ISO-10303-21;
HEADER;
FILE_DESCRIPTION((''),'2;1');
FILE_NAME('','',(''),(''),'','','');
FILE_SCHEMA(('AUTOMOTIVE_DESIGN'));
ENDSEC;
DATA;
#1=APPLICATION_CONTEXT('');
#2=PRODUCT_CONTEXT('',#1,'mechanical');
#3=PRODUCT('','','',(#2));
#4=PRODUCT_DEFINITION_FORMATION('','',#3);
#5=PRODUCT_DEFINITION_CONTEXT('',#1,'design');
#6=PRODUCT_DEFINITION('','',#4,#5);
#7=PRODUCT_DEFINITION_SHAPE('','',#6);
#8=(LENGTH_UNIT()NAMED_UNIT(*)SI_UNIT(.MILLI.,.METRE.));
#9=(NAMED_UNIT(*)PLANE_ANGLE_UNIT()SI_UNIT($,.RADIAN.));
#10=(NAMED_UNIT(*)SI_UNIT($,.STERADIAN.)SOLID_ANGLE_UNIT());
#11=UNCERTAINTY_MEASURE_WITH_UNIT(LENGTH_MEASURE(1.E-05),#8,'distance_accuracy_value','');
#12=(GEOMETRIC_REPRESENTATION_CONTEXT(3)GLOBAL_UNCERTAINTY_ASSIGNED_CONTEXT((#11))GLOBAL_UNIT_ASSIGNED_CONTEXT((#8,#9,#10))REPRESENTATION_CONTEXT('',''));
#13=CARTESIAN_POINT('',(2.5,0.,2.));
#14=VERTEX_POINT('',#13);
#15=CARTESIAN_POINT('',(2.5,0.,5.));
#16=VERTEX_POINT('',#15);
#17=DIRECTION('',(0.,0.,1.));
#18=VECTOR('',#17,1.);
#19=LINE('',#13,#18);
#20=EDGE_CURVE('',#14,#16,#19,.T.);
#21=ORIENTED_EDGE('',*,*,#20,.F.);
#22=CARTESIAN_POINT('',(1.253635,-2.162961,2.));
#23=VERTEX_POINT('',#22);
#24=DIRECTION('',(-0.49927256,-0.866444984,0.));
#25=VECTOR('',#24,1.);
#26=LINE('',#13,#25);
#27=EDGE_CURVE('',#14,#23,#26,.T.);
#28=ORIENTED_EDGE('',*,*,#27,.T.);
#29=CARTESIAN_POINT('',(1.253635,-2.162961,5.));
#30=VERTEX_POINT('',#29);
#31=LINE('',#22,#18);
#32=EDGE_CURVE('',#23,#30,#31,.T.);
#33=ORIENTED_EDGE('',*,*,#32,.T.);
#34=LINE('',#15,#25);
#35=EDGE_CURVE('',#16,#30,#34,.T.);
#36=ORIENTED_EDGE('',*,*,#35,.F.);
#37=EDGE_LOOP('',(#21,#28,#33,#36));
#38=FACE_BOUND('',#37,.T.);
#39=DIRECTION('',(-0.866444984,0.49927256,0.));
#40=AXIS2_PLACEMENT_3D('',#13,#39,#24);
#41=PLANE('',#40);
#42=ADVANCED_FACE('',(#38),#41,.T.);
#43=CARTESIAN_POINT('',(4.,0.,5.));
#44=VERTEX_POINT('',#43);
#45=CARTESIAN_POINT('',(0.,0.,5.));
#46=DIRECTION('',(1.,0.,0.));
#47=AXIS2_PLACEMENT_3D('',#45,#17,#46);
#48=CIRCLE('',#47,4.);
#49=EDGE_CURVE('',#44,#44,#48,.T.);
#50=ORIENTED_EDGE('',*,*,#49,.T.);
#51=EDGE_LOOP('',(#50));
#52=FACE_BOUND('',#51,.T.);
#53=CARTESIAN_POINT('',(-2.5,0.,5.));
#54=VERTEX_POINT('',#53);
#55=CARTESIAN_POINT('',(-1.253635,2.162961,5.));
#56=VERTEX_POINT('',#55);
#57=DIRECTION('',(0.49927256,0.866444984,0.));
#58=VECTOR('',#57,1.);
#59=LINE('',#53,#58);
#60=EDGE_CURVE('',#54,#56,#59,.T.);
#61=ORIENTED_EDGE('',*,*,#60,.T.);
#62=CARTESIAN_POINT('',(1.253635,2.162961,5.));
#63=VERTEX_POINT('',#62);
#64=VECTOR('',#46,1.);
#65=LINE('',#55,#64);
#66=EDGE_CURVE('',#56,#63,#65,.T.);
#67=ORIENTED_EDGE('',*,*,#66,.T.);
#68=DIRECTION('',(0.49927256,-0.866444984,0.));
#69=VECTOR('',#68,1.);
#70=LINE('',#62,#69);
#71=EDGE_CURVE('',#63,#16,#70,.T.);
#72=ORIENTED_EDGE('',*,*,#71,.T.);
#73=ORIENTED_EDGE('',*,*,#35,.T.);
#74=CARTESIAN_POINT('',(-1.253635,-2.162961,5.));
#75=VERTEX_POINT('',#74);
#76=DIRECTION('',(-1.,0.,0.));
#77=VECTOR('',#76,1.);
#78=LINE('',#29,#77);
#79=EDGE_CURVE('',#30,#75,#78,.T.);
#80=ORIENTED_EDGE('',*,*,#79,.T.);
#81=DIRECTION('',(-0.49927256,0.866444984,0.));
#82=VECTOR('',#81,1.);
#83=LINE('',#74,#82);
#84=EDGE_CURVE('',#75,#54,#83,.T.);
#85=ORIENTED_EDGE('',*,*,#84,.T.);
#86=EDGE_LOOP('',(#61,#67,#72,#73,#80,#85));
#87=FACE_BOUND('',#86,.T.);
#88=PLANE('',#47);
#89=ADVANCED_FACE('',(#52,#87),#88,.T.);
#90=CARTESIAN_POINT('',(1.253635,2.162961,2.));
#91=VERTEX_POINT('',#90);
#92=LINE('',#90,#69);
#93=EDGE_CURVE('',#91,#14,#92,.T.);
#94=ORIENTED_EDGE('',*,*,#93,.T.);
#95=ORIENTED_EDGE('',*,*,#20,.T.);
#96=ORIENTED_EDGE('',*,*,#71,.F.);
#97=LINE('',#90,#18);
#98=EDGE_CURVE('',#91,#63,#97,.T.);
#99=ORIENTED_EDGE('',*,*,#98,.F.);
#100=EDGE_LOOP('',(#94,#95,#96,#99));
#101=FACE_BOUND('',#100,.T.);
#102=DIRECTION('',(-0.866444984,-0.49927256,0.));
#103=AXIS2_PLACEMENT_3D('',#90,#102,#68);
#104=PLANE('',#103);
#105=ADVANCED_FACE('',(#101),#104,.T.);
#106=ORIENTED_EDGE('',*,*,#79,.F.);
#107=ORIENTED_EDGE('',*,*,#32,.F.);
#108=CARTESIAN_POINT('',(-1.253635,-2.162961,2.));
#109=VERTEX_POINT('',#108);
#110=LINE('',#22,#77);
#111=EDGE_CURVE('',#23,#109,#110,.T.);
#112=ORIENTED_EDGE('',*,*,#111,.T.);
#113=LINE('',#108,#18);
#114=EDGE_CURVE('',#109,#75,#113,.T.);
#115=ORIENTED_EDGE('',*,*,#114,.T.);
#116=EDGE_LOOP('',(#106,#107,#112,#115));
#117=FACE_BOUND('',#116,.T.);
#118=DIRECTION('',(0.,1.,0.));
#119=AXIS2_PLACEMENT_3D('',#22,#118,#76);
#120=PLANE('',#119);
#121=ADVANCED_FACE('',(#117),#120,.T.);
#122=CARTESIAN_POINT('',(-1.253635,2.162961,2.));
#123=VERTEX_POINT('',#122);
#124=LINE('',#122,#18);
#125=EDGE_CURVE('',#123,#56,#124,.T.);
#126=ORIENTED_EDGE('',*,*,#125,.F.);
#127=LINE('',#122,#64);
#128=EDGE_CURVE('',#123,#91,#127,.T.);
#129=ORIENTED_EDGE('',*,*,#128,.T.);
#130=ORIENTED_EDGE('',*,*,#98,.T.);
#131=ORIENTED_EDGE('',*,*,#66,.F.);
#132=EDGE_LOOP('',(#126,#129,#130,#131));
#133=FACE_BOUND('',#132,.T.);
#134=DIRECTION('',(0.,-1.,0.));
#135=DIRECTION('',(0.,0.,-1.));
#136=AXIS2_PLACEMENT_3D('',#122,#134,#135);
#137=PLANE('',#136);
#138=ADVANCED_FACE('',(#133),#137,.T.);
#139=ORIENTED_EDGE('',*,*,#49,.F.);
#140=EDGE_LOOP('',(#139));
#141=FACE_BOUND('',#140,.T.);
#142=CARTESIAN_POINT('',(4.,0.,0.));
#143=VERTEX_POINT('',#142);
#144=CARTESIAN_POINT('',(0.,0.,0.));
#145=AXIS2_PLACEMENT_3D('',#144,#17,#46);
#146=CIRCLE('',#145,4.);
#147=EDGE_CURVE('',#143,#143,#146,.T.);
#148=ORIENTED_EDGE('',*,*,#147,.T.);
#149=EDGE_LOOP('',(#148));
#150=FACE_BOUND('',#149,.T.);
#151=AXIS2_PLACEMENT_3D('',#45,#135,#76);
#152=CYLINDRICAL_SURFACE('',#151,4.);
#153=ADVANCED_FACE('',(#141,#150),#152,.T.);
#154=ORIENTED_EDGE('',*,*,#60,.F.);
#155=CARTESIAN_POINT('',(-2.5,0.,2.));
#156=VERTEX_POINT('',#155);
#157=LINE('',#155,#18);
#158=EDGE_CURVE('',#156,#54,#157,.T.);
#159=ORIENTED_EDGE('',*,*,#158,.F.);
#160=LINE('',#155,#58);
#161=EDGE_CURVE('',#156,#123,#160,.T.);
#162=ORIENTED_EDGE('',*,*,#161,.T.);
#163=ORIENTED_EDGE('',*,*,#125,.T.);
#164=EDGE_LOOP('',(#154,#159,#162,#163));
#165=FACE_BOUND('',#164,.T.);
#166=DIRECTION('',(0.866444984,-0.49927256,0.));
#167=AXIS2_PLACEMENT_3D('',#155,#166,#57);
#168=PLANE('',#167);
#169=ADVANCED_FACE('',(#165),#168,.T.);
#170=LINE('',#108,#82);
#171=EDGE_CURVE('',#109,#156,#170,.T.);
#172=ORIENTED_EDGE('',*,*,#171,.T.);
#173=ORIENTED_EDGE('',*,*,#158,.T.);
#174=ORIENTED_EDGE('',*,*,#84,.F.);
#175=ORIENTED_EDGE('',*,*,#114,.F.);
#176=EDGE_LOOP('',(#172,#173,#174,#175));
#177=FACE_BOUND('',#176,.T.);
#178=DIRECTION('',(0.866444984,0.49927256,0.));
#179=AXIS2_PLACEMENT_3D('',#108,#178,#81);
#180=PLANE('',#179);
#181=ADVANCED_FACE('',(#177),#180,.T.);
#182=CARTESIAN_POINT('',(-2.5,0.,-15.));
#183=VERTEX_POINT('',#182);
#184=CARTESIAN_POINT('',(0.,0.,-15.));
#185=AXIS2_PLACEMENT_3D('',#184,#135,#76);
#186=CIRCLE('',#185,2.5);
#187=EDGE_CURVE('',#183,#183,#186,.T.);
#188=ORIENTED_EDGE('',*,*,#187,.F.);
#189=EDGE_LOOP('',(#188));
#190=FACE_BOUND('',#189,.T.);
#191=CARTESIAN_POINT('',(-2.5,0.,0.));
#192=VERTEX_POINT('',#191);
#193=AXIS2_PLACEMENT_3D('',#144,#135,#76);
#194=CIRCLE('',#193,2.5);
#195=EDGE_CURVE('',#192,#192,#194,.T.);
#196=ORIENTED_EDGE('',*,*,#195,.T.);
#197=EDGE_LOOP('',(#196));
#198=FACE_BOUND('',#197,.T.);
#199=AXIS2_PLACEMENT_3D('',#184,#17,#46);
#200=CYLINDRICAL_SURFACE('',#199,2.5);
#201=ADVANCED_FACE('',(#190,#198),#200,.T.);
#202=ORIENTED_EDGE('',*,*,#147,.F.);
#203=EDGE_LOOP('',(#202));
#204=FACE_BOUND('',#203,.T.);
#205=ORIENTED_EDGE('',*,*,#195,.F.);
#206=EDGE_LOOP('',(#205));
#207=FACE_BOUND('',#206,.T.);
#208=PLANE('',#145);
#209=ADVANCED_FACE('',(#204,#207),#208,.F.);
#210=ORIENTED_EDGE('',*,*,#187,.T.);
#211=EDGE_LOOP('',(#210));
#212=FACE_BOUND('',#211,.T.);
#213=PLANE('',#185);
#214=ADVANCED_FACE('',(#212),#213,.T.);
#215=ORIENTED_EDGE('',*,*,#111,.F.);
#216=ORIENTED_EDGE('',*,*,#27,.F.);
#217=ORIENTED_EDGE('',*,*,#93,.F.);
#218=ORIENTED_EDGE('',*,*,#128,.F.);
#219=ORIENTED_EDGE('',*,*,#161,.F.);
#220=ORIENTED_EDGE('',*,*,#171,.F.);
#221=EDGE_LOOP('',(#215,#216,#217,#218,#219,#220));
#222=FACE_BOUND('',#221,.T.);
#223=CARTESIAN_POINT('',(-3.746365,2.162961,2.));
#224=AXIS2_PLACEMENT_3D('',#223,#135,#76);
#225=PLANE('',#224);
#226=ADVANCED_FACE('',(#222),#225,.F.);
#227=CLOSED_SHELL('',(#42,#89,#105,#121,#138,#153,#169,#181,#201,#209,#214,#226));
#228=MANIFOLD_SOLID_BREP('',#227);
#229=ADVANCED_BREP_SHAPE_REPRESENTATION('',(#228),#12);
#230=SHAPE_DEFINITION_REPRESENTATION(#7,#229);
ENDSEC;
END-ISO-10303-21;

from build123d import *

# Parameters (mm, degrees)
ESQUISSE1_R             = 4
BASE_EXTRUSION_DEPTH    = 5
ENL_V_MAT_EXTRU_1_DEPTH = 3
ESQUISSE4_R             = 2.5
BOSS_EXTRU_3_DEPTH      = 15


with BuildPart() as part:
    # Esquisse1 → Base-Extrusion (new body)
    with BuildSketch(Plane.XY):
        Circle(ESQUISSE1_R)
    extrude(amount=BASE_EXTRUSION_DEPTH)

    # Esquisse3 → Enlèv. mat.-Extru.1 (cut)
    with BuildSketch(Plane.XY.offset(5)):
        Polygon((-2.5, 0), (-1.253634554, 2.162961027), (1.253634554, 2.162961027), (2.5, 0), (1.253634554, -2.162961027), (-1.253634554, -2.162961027), align=None)
    extrude(amount=-ENL_V_MAT_EXTRU_1_DEPTH, mode=Mode.SUBTRACT)

    # Esquisse4 → Boss.-Extru.3 (add)
    with BuildSketch(Plane(origin=(0, 0, 0), x_dir=(-1, 0, 0), z_dir=(0, 0, -1))):
        Circle(ESQUISSE4_R)
    extrude(amount=BOSS_EXTRU_3_DEPTH)


solid = part.part
